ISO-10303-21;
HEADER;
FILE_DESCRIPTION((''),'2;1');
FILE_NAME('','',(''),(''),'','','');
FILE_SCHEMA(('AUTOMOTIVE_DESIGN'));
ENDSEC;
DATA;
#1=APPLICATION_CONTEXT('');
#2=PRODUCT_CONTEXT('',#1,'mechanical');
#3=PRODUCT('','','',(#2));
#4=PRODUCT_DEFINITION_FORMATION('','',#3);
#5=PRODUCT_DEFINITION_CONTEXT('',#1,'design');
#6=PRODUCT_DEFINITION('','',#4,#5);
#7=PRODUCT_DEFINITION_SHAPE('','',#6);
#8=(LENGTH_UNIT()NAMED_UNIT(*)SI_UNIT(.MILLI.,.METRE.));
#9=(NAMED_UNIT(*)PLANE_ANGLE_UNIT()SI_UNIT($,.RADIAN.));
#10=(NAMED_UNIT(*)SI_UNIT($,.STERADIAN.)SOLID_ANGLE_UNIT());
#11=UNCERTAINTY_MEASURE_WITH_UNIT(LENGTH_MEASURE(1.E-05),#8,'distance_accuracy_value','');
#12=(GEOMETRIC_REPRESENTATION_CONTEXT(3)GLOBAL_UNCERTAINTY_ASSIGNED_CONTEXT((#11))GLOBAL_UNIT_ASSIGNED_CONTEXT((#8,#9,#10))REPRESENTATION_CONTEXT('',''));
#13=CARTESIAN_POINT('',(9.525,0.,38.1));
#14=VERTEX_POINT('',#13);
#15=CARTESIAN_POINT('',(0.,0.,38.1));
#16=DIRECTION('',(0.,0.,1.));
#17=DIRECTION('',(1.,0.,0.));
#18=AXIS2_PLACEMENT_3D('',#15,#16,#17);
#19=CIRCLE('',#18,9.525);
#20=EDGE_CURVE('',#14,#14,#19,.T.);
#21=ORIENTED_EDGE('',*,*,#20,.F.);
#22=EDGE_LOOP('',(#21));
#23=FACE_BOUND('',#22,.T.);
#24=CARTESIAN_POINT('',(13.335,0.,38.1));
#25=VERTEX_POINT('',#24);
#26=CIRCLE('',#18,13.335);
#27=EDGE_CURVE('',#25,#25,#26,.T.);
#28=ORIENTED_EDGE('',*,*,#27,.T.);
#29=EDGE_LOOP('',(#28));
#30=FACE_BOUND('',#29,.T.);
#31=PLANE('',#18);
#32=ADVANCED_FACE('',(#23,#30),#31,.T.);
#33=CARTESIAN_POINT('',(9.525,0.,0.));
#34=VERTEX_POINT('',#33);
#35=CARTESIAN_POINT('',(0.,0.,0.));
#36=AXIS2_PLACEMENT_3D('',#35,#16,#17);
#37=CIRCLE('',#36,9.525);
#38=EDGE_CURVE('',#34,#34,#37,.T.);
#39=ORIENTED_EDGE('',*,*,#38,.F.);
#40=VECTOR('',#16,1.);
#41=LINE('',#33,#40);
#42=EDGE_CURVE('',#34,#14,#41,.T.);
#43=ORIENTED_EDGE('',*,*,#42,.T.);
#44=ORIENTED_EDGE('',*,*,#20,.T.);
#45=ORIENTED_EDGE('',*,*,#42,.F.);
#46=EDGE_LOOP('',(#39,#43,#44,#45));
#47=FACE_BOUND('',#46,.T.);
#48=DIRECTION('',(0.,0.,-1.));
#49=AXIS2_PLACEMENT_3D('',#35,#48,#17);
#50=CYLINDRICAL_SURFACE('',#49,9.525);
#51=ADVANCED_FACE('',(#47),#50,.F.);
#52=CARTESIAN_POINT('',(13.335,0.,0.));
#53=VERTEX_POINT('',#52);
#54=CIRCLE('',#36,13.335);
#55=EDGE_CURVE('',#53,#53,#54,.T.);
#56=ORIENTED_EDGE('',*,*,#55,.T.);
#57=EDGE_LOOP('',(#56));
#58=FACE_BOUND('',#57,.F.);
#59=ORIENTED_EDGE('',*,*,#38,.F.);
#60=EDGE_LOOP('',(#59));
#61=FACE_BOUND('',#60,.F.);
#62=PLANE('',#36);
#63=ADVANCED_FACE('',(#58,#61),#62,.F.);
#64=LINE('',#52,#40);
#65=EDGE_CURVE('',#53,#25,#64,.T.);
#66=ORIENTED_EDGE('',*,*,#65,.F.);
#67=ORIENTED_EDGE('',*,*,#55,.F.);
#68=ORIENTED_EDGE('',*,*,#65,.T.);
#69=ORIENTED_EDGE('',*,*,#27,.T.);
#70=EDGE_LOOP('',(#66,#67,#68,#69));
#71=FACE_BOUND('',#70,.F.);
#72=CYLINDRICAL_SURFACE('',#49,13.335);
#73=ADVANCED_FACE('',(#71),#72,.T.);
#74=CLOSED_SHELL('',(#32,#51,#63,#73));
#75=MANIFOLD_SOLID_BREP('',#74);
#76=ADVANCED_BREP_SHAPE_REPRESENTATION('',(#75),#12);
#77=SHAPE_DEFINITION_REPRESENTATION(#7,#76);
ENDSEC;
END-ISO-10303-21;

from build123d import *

# Parameters (mm, degrees)
CYLINDER001_R     = 9.525
CYLINDER001_DEPTH = 38.1
CYLINDER_R        = 13.335
CYLINDER_DEPTH    = 38.1


with BuildPart() as f_0_75_id:
    # Cylinder001 → Cylinder001 (new body)
    with BuildSketch(Plane.XY):
        Circle(CYLINDER001_R)
    extrude(amount=CYLINDER001_DEPTH)


with BuildPart() as f_0_75in_x_1_5in_npt_pipe:
    # Cylinder → Cylinder (new body)
    with BuildSketch(Plane.XY):
        Circle(CYLINDER_R)
    extrude(amount=CYLINDER_DEPTH)

    # Cut: cut 0.75 ID
    add(f_0_75_id.part, mode=Mode.SUBTRACT)


solid = f_0_75in_x_1_5in_npt_pipe.part
